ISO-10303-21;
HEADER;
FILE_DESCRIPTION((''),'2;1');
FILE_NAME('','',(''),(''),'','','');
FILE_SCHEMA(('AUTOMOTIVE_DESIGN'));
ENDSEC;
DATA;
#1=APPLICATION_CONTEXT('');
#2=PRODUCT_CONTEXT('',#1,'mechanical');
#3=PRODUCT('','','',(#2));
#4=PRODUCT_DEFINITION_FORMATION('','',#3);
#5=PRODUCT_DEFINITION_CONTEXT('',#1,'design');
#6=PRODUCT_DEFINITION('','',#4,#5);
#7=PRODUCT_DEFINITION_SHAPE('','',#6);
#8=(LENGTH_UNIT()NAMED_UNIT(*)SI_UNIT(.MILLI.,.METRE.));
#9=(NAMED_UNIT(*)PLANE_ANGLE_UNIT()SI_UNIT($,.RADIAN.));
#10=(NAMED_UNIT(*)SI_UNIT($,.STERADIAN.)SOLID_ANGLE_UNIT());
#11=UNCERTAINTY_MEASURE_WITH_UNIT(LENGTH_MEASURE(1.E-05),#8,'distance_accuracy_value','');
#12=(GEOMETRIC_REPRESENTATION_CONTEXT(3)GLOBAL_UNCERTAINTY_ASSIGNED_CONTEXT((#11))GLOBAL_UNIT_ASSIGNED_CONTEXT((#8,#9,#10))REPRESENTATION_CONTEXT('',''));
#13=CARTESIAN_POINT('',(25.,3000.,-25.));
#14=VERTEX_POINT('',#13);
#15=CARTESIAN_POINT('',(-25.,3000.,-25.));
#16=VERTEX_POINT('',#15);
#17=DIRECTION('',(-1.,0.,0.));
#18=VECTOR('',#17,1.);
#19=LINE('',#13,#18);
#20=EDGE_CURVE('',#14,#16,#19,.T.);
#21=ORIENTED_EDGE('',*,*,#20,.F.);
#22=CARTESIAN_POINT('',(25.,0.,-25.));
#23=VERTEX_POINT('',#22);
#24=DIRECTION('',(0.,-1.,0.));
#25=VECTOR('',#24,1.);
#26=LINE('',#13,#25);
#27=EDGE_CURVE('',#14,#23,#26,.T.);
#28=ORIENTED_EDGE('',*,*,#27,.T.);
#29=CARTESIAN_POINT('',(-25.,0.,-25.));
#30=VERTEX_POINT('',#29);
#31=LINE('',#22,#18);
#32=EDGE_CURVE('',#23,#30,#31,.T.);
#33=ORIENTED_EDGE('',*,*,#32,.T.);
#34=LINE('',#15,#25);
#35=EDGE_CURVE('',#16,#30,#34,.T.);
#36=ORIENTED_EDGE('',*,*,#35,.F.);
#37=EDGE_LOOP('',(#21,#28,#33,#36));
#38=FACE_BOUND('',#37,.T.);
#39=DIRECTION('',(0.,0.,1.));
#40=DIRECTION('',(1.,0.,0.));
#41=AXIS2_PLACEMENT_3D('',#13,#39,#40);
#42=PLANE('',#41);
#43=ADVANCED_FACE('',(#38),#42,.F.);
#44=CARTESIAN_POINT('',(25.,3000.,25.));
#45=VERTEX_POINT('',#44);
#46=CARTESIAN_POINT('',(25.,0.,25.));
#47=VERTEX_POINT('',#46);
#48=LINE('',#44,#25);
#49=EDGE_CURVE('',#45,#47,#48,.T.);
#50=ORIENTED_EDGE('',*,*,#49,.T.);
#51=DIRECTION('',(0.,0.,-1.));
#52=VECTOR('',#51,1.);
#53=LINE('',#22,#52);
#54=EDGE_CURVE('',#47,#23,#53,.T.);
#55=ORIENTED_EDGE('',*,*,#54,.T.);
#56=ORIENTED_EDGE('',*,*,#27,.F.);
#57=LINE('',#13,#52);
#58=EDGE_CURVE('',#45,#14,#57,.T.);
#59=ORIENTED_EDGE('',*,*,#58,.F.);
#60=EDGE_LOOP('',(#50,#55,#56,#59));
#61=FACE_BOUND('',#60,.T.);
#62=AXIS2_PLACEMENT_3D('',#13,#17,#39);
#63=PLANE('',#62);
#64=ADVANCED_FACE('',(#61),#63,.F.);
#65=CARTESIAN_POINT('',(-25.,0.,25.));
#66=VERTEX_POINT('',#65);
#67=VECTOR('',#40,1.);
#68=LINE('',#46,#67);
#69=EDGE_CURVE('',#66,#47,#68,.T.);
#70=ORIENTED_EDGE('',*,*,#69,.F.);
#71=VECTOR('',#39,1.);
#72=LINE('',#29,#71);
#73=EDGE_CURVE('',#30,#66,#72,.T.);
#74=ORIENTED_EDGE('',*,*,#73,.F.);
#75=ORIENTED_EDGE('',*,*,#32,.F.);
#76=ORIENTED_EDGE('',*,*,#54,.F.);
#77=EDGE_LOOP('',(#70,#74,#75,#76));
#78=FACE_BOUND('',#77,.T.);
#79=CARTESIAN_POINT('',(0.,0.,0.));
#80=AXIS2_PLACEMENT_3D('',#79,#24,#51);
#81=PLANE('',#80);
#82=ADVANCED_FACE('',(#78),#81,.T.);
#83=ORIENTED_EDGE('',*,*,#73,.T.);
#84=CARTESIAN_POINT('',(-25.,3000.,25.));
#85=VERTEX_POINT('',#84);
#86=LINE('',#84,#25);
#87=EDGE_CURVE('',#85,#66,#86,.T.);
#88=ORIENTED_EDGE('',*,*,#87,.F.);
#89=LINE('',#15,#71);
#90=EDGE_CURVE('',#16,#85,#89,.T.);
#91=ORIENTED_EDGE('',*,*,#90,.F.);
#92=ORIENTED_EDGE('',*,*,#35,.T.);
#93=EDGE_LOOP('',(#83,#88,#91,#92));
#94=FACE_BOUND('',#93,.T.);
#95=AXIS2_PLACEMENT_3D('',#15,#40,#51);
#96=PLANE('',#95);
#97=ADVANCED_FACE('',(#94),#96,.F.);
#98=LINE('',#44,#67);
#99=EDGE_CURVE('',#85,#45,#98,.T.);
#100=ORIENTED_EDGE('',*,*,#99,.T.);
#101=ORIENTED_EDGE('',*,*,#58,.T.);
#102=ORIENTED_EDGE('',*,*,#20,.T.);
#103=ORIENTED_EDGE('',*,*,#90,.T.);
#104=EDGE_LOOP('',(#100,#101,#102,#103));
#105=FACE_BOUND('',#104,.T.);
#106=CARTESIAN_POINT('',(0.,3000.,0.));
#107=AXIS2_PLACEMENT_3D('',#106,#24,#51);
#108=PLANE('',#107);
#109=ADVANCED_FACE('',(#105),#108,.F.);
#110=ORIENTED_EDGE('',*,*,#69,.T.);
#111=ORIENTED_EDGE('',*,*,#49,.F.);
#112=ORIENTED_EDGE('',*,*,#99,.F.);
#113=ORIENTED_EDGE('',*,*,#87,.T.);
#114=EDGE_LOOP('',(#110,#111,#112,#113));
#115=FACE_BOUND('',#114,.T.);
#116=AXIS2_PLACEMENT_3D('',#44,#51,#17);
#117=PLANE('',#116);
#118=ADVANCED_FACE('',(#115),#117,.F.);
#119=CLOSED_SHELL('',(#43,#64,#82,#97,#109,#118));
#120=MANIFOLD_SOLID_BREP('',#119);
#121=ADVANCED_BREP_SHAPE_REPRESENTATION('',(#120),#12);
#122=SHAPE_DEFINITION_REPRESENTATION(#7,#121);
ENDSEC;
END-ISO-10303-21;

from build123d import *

# Parameters (mm, degrees)
SKETCH_1_W      = 50
SKETCH_1_H      = 50
EXTRUDE_1_DEPTH = 3000


with BuildPart() as part:
    # Эскиз1 → Бобышка-Вытянуть1 (new body)
    with BuildSketch(Plane(origin=(0, 0, 0), x_dir=(1, 0, 0), z_dir=(0, 1, 0))):
        Rectangle(SKETCH_1_W, SKETCH_1_H)
    extrude(amount=EXTRUDE_1_DEPTH)


solid = part.part
